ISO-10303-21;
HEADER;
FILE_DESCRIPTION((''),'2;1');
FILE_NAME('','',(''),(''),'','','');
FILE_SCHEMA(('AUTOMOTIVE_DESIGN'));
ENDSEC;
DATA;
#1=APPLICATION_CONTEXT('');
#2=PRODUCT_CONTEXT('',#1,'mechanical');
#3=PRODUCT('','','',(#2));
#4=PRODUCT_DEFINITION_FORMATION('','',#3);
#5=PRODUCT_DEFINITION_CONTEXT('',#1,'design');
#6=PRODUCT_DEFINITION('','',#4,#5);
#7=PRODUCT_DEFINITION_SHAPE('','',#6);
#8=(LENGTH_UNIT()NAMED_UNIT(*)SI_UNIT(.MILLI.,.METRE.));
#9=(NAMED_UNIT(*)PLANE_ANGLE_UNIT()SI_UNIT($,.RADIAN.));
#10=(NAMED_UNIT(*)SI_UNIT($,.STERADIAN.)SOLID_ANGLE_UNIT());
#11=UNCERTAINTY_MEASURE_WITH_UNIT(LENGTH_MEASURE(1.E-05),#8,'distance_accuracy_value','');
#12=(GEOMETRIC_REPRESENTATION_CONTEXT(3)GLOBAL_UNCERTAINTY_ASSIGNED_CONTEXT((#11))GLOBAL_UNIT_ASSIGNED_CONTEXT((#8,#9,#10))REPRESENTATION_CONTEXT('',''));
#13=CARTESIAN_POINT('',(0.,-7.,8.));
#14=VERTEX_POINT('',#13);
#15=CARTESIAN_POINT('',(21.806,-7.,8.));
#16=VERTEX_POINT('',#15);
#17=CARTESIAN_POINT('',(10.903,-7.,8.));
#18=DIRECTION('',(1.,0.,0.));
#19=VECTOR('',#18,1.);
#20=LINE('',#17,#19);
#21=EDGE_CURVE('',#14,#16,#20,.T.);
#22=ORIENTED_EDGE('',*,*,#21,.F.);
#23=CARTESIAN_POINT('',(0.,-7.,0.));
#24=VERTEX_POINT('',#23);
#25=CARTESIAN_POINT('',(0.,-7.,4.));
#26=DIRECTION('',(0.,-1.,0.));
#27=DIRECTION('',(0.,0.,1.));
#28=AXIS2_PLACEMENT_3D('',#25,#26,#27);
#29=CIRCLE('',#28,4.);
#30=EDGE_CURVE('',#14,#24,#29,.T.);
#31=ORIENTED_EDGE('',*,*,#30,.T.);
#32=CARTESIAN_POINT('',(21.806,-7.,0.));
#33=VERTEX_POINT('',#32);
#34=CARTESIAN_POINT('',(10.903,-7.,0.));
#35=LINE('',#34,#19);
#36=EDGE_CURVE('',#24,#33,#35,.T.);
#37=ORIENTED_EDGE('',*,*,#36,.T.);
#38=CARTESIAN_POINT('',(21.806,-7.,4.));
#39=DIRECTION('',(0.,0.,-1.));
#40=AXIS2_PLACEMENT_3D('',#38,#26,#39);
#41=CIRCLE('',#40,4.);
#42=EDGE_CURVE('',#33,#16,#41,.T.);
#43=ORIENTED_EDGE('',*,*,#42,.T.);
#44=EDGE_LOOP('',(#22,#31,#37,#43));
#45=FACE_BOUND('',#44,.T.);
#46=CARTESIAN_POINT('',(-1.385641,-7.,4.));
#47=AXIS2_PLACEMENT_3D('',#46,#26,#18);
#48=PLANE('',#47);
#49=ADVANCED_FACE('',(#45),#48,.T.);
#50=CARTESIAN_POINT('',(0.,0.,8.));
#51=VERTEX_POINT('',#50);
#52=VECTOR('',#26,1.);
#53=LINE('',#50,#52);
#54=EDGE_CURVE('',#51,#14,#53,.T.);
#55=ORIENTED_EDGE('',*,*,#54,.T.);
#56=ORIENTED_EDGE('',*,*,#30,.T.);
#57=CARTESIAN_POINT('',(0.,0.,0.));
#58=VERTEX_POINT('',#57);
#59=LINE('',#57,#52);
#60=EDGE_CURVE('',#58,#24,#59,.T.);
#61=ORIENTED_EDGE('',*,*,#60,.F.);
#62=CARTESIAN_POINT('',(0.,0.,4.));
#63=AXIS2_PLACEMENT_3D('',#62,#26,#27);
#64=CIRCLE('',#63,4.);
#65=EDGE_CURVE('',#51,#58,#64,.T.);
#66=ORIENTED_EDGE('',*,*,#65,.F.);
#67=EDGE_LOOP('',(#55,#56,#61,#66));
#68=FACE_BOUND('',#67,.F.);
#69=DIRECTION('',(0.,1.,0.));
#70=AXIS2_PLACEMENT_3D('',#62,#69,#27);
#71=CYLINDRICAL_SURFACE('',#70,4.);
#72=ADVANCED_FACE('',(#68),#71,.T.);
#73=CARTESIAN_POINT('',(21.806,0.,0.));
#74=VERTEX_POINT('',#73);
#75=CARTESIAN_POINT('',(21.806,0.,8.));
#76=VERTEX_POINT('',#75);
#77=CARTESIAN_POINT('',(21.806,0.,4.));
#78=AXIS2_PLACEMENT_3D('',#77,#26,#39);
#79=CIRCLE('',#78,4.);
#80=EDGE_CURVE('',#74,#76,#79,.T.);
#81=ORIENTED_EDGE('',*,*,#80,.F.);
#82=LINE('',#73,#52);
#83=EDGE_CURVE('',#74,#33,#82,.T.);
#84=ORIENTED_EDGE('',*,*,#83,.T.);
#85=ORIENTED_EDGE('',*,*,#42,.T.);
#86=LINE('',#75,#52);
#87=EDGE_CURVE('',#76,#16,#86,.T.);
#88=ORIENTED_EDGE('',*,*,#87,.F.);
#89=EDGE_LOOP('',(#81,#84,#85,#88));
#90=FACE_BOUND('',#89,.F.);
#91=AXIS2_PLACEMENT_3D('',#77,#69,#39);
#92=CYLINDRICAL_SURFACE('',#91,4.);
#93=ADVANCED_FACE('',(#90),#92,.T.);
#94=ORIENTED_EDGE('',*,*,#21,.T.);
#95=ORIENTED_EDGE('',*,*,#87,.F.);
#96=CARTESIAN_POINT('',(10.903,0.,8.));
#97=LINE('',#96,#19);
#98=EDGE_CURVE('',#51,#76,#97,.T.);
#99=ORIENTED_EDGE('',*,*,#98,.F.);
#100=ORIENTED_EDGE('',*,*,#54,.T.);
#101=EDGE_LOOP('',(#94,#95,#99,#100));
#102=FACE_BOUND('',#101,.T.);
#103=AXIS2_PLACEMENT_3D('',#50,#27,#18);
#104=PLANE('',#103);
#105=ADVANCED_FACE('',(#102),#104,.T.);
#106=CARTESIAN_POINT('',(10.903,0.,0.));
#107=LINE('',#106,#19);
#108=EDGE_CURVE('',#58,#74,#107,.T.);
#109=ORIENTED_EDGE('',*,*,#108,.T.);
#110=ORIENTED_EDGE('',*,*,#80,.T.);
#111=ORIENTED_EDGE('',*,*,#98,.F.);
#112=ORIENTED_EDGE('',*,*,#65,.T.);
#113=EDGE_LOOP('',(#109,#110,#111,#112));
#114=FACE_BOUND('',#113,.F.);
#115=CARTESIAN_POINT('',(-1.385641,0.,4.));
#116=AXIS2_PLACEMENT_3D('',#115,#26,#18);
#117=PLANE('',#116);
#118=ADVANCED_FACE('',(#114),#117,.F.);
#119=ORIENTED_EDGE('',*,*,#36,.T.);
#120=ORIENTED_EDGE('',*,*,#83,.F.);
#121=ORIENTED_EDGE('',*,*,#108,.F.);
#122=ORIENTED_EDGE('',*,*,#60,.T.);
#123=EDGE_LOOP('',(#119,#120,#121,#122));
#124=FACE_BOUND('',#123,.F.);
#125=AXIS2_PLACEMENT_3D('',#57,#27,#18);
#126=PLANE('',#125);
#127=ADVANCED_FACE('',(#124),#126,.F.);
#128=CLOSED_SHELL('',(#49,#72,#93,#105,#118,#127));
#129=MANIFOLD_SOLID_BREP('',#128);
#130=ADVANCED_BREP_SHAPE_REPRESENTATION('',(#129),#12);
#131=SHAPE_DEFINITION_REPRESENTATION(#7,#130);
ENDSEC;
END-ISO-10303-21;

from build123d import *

# Parameters (mm, degrees)
F0_W     = 21.806
F0_H     = 8
F1_DEPTH = 7


with BuildPart() as f1:
    # F0 (on Front) → F1 (new body)
    with BuildSketch(Plane.XZ):
        with BuildLine():
            ThreePointArc((0, 8), (-4, 4), (0, 0))
            Line((0, 0), (0, 8))
        make_face()
        with Locations((10.903, 4)):
            Rectangle(F0_W, F0_H)
        with BuildLine():
            Line((21.806, 8), (21.806, 0))
            ThreePointArc((21.806, 0), (25.806, 4), (21.806, 8))
        make_face()
    extrude(amount=F1_DEPTH)


solid = f1.part
